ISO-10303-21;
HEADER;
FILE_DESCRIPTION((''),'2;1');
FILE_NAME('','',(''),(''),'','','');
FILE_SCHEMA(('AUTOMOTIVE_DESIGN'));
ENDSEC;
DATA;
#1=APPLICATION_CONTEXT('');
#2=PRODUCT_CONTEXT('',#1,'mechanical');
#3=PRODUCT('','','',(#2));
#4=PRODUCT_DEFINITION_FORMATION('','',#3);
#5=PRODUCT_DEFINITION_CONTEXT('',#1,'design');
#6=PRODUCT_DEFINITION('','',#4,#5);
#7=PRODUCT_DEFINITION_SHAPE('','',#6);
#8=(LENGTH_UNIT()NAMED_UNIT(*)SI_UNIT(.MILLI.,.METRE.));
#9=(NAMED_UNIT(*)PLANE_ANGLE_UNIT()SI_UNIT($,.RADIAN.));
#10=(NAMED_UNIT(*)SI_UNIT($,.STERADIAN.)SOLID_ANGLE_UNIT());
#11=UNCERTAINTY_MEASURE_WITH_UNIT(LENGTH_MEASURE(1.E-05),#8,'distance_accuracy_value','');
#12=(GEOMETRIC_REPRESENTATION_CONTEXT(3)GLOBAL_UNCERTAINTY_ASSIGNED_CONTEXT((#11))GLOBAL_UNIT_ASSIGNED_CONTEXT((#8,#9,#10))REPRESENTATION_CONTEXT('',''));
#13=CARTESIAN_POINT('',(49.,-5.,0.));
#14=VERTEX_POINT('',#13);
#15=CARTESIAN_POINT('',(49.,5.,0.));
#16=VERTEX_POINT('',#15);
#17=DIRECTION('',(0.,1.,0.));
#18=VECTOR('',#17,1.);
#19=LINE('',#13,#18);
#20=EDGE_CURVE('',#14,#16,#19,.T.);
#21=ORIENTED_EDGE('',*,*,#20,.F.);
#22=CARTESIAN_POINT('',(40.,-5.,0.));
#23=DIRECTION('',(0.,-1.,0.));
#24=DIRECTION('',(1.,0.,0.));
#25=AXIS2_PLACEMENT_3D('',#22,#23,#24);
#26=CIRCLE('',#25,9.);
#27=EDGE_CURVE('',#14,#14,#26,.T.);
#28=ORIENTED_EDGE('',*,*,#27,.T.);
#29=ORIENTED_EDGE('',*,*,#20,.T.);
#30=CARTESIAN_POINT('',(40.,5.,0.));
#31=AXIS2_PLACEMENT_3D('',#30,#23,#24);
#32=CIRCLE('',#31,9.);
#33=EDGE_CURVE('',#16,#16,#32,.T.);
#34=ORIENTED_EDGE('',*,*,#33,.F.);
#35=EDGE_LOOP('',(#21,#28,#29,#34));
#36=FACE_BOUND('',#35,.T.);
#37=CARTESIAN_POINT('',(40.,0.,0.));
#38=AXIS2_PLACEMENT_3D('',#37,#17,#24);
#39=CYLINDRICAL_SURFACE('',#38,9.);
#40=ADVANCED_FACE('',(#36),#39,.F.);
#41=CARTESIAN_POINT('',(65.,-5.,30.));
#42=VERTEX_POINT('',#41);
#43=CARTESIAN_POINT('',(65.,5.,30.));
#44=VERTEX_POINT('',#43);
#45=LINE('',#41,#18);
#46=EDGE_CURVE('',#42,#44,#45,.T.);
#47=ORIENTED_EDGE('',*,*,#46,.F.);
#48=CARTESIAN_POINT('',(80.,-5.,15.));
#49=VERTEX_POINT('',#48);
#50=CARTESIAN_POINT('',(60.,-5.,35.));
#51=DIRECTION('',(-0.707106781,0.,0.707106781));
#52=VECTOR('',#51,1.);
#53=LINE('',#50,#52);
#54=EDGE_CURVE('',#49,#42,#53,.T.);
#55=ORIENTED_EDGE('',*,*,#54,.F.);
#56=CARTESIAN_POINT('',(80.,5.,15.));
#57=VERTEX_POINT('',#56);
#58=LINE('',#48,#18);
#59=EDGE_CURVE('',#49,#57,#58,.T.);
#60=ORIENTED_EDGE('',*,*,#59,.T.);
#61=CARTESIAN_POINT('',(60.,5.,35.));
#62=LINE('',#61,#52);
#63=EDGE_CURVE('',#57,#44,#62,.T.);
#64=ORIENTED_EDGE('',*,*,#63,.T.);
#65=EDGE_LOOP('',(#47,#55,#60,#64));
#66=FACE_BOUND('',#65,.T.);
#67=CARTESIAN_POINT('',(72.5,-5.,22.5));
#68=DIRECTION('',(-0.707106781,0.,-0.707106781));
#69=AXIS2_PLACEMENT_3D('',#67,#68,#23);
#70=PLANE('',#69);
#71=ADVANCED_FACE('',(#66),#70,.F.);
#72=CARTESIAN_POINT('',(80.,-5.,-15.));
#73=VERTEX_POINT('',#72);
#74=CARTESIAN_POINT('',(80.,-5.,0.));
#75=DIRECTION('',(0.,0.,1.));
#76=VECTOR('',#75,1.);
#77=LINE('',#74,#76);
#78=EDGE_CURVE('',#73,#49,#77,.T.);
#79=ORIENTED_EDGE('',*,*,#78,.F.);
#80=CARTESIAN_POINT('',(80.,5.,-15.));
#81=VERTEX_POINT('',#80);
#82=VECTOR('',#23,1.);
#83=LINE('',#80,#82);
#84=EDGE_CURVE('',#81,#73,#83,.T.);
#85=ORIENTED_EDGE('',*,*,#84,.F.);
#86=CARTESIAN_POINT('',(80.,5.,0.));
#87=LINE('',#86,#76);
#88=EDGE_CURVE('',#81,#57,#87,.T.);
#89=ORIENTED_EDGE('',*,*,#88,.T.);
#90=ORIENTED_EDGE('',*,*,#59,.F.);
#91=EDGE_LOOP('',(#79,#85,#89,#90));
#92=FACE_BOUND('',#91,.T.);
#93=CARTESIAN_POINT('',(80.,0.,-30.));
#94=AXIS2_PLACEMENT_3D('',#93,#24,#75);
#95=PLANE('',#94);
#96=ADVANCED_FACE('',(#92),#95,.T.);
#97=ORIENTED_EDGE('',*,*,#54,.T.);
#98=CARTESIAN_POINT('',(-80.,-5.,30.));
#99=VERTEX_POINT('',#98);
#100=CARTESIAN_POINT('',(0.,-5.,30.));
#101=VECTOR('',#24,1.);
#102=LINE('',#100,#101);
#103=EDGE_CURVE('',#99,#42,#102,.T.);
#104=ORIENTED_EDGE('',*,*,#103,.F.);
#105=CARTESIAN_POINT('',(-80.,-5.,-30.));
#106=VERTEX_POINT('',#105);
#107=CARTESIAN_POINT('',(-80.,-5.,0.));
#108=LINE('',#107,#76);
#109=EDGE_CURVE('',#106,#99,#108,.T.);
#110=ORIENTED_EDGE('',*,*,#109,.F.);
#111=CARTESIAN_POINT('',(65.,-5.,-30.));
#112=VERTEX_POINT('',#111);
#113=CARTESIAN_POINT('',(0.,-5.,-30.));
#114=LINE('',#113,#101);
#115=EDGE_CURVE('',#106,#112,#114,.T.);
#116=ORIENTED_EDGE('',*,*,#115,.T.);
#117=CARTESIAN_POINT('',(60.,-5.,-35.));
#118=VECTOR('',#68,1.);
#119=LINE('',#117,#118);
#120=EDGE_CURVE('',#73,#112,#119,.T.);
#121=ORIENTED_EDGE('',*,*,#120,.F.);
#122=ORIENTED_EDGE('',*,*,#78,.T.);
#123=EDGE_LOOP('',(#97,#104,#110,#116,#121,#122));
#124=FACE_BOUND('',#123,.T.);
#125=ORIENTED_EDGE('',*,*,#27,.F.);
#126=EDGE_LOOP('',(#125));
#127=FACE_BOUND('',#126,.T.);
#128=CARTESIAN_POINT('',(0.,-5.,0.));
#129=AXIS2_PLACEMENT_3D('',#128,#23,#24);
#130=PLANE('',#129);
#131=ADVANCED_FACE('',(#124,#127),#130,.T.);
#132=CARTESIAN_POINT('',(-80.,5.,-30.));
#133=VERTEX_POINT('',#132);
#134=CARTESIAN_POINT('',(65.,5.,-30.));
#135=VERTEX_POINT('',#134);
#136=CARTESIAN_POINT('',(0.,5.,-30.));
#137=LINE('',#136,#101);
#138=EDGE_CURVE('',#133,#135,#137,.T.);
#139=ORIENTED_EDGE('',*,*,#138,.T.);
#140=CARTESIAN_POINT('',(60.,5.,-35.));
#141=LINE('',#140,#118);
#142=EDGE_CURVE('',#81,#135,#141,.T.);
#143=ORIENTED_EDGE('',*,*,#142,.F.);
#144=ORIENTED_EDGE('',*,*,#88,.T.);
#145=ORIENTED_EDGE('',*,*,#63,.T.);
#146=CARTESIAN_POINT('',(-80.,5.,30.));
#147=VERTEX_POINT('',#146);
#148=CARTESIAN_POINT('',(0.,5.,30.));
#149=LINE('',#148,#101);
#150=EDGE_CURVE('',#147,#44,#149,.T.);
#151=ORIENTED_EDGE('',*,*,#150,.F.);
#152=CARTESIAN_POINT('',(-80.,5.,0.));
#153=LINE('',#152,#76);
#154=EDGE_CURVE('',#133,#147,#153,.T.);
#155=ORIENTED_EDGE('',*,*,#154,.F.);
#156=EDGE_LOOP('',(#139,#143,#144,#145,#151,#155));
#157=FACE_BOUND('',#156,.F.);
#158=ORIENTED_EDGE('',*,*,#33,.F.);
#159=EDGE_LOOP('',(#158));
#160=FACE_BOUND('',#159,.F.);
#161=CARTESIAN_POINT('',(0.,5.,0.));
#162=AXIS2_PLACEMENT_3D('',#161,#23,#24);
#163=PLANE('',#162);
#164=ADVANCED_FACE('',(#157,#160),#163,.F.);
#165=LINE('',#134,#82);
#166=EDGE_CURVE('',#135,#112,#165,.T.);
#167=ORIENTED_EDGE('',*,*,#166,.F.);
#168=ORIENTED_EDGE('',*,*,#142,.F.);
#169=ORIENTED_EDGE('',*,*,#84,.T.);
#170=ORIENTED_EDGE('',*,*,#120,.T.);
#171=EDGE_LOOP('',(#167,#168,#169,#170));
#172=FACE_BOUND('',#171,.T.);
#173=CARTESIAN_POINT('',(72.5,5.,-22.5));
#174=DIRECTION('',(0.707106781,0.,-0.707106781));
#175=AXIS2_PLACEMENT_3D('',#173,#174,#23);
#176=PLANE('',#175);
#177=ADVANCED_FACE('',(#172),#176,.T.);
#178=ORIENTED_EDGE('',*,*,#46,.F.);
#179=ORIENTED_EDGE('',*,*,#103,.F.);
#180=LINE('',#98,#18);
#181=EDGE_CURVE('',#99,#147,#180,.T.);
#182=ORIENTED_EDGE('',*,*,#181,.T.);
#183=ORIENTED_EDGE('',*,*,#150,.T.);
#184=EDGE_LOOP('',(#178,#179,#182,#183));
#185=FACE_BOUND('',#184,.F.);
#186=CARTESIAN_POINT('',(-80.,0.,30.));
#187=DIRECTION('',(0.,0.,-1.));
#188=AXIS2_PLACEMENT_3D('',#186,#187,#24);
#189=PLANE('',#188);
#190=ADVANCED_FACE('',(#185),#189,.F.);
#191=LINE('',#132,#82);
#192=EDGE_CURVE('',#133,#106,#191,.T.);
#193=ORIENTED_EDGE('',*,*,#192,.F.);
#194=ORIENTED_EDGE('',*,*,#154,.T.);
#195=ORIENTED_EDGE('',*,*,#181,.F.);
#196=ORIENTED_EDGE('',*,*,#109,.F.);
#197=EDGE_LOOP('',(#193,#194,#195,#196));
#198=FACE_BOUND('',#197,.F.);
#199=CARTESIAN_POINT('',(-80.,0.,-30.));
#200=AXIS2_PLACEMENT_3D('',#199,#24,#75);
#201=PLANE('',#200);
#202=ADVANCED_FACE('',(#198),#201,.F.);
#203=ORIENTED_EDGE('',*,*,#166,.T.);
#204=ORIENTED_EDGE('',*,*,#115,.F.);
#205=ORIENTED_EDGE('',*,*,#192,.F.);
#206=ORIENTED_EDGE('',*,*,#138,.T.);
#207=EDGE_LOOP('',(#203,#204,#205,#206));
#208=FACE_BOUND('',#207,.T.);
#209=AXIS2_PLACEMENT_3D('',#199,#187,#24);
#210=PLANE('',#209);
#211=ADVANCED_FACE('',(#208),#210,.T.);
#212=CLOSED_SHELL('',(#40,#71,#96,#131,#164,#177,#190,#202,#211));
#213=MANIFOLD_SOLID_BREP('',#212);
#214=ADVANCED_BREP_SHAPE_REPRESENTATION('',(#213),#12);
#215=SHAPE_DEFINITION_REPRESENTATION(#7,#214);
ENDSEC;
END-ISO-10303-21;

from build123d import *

# Parameters (mm, degrees)
F0_W     = 160
F0_H     = 60
F0_R     = 9
F1_DEPTH = 5
F2_SIZE  = 15


with BuildPart() as f1:
    # F0 (on Front) → F1 (new body, symmetric)
    with BuildSketch(Plane.XZ):
        Rectangle(F0_W, F0_H)
        with Locations((40, 0)):
            Circle(F0_R, mode=Mode.SUBTRACT)
    extrude(amount=F1_DEPTH, both=True)

    # F2
    f2_edges = [f1.edges().sort_by_distance(p)[0] for p in [
        (80, 0, 30),
        (80, 0, -30),
    ]]
    chamfer(f2_edges, length=F2_SIZE)


solid = f1.part
